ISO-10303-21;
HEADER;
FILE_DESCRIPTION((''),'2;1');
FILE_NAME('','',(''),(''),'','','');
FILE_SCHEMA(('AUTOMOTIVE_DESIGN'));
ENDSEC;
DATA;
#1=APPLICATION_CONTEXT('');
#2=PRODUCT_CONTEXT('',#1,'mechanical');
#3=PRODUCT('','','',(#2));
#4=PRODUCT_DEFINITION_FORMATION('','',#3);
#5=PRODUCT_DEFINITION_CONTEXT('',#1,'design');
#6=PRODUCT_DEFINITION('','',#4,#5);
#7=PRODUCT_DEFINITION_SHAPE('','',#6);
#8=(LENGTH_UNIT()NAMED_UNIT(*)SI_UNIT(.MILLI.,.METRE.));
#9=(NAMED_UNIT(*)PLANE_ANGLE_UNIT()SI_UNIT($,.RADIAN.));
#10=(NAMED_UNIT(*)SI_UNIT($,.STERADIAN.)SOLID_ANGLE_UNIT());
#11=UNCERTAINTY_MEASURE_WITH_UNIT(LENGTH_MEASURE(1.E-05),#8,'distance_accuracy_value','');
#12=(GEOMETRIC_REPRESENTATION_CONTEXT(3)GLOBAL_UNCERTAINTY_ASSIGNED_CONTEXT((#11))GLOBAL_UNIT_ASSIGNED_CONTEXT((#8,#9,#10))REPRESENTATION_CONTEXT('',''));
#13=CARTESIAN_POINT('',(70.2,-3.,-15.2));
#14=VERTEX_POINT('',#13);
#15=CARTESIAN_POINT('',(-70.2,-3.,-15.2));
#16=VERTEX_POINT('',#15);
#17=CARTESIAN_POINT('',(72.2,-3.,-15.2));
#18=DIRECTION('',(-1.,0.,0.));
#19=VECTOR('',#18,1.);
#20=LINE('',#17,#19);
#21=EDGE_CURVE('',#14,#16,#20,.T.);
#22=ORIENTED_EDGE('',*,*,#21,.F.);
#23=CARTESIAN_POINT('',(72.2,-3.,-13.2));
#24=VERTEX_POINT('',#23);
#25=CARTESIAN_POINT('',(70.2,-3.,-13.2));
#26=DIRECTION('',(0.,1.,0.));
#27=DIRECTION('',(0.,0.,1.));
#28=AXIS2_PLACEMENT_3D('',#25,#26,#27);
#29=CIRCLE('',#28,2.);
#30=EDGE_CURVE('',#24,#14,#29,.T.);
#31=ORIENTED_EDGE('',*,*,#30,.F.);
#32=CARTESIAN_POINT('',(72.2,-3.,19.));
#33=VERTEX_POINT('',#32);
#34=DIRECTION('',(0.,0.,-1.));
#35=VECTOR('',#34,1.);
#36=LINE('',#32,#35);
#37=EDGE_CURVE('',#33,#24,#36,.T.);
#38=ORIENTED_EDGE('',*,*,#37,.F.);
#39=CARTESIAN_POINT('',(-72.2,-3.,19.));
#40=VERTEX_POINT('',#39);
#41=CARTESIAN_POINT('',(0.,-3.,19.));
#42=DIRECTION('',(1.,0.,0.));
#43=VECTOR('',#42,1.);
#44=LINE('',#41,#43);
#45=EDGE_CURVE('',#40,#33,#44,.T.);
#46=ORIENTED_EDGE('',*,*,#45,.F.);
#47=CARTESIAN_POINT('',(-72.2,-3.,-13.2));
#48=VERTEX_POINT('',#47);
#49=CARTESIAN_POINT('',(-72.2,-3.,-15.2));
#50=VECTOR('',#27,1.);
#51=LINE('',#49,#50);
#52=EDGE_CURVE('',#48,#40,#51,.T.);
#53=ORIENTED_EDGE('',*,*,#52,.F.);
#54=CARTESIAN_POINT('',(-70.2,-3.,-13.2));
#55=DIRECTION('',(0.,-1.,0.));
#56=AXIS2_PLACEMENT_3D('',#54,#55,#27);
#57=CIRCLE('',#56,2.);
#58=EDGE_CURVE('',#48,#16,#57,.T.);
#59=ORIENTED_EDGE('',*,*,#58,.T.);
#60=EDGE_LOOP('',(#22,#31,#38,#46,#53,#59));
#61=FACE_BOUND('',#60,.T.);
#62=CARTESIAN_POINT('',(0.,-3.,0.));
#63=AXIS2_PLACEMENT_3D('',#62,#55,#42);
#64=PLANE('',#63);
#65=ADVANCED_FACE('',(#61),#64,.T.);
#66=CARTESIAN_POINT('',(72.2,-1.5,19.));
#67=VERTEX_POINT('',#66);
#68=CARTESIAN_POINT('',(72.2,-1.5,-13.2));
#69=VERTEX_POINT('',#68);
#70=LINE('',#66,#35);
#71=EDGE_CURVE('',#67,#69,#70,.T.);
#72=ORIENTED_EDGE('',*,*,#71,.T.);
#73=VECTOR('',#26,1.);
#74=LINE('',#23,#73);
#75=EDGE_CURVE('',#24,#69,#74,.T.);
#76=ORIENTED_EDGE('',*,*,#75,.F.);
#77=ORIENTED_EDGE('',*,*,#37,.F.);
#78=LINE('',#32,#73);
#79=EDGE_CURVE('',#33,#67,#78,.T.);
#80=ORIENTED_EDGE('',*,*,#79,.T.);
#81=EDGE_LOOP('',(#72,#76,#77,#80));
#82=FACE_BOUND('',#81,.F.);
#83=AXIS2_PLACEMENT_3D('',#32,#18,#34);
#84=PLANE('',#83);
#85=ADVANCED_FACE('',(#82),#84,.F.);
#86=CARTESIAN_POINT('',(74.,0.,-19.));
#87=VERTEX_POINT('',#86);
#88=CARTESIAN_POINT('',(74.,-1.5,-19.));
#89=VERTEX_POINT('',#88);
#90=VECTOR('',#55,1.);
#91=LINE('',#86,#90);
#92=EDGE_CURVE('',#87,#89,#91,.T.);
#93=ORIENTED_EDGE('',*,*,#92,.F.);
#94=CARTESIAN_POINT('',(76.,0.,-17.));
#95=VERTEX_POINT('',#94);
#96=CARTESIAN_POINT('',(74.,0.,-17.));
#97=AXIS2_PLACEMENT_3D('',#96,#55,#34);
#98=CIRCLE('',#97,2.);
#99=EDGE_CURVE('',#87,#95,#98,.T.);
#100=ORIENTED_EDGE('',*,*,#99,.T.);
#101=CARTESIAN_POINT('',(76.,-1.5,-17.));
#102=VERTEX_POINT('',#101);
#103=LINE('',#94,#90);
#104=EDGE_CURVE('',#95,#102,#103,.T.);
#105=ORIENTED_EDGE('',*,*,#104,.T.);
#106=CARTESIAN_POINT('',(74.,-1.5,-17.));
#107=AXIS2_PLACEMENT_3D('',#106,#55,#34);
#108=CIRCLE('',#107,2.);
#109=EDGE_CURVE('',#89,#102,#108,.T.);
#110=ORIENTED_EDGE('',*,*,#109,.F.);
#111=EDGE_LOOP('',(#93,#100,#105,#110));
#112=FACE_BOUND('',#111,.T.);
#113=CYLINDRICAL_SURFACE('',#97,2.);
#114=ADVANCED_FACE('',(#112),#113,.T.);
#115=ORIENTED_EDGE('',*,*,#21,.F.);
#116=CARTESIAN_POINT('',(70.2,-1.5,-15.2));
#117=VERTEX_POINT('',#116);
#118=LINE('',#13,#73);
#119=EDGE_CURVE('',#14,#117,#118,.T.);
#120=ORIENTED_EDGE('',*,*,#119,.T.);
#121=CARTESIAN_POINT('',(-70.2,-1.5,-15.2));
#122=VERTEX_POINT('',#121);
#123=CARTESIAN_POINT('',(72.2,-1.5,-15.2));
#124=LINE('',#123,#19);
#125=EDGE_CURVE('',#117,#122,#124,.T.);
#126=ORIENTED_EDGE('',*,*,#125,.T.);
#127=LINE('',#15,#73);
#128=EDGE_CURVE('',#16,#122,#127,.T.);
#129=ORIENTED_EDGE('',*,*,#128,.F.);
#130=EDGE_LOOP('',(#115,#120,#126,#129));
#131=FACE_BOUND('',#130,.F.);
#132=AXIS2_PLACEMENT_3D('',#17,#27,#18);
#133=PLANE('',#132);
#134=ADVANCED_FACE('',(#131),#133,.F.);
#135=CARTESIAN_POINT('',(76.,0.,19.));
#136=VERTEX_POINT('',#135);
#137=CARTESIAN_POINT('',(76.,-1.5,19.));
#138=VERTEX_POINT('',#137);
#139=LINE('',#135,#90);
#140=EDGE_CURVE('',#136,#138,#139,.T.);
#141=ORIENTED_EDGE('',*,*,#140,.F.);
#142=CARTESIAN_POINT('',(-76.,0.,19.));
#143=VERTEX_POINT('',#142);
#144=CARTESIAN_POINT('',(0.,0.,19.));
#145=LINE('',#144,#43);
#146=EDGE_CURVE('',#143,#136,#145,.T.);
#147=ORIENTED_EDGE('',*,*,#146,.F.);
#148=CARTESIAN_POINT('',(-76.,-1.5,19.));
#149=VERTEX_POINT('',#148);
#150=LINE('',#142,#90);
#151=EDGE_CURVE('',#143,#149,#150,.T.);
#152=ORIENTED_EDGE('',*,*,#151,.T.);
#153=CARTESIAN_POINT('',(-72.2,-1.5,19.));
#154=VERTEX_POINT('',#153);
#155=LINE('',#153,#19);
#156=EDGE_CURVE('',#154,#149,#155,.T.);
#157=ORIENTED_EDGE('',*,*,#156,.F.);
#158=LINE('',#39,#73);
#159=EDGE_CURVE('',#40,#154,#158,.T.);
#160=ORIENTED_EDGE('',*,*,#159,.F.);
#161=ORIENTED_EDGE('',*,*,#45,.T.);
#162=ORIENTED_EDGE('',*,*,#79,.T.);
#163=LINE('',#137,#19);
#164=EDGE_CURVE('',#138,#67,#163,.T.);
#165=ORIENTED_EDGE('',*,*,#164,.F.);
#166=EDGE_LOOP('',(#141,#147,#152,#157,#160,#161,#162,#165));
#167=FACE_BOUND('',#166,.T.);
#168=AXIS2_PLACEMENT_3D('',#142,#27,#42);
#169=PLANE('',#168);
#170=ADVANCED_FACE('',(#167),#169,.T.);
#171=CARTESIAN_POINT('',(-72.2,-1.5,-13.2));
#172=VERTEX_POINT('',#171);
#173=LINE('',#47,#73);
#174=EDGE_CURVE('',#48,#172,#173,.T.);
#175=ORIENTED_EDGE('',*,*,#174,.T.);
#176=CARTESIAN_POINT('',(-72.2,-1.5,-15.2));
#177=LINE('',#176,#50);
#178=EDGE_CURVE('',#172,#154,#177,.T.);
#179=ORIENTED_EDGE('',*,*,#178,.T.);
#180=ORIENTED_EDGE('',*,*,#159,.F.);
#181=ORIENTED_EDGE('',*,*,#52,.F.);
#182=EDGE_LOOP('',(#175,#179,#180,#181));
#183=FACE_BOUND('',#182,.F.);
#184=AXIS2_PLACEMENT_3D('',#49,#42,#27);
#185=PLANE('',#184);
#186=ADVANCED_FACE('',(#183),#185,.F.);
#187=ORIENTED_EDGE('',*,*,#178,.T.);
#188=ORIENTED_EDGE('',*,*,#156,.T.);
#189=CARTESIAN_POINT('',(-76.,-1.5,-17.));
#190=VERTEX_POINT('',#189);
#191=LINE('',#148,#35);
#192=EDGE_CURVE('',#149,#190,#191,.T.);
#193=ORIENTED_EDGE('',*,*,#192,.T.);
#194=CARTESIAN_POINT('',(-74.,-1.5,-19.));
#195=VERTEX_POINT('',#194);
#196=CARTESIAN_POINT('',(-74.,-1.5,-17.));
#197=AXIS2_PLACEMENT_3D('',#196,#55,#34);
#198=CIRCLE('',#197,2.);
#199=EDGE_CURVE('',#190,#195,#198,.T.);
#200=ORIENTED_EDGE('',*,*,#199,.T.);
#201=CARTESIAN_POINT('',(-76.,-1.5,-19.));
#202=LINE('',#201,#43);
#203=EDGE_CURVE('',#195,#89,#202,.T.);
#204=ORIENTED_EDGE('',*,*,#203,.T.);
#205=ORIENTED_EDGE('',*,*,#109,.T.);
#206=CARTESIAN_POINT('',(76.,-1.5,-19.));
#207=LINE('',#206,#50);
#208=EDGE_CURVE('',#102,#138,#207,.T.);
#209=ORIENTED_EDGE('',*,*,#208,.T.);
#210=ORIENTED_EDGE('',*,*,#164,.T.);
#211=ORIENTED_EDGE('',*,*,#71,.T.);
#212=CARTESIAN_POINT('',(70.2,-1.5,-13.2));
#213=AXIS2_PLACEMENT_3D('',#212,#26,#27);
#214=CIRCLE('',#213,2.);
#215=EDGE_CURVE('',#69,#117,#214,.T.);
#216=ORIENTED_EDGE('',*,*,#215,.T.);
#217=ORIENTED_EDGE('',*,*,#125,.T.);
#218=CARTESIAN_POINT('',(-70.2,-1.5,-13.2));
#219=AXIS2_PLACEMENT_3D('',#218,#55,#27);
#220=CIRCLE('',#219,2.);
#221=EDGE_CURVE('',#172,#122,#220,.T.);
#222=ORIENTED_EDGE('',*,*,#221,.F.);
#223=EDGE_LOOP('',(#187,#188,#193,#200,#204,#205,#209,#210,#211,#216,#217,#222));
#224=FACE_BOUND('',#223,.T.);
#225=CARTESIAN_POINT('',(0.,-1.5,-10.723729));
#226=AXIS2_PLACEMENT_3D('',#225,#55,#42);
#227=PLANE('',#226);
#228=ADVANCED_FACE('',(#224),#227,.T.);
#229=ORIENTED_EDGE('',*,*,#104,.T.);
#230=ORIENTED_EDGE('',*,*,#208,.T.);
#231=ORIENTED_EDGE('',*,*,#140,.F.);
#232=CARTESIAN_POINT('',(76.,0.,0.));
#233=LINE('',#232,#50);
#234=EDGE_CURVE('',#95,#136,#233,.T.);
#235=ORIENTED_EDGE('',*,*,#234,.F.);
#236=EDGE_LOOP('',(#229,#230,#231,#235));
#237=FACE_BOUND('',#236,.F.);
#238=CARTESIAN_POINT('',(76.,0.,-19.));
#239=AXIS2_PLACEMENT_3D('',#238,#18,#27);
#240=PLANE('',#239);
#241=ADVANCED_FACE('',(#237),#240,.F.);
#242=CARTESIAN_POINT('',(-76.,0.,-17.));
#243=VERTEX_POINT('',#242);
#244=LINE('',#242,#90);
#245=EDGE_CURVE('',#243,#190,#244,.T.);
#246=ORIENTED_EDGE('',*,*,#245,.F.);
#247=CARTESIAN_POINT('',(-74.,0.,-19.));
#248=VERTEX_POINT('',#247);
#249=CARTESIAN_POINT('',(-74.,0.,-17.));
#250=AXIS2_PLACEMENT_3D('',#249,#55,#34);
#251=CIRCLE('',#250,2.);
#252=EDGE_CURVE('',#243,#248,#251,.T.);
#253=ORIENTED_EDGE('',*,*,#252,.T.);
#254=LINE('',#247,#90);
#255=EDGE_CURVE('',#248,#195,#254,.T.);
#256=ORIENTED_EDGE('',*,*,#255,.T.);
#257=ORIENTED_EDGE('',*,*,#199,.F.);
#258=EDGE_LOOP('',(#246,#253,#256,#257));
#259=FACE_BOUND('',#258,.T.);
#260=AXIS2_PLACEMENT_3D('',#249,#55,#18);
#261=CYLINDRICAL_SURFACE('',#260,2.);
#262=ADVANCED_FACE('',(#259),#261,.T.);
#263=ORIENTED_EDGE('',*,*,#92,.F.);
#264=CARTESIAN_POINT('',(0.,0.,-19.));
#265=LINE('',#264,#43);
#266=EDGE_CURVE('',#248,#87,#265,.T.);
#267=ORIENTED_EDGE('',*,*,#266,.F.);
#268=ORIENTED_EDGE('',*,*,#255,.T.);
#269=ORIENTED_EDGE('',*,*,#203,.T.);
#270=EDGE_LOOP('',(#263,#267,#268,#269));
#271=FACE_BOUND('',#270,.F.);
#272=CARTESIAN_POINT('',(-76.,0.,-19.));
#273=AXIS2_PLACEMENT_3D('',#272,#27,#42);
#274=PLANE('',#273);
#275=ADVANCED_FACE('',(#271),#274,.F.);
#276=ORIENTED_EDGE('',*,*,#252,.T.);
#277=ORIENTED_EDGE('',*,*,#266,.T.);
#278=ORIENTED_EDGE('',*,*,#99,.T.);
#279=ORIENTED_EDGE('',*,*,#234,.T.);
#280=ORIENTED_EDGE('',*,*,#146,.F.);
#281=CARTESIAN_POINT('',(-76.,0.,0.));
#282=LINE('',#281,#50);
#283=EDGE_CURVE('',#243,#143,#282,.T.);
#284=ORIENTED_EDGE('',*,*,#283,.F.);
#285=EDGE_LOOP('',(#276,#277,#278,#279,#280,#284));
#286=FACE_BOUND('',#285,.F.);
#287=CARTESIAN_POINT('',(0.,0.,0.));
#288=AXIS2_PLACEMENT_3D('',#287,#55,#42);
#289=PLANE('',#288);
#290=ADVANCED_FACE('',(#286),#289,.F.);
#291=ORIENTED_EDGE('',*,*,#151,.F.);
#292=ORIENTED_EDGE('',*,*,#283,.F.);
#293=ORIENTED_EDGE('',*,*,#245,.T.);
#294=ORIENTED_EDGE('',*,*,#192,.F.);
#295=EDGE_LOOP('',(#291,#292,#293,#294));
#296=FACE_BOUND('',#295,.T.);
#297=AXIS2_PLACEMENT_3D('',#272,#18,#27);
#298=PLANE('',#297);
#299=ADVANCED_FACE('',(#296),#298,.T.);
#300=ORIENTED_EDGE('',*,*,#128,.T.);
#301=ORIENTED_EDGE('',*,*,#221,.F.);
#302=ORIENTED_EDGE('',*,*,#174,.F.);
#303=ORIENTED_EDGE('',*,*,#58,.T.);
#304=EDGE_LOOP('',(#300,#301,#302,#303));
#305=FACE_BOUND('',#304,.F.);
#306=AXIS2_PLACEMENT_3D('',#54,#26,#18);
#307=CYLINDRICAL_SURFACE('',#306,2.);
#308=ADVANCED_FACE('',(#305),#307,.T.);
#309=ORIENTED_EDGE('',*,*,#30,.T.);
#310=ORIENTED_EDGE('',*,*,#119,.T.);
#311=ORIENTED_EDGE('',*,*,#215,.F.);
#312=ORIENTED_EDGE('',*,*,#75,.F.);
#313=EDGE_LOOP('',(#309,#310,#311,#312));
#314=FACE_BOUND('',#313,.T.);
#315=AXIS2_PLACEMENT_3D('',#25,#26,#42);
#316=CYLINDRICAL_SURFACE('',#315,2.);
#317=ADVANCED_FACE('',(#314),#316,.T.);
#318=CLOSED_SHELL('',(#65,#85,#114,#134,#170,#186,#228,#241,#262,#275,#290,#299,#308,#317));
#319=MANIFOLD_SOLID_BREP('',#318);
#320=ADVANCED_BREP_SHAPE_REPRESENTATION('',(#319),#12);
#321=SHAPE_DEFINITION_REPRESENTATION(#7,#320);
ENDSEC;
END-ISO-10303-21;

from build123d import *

# Parameters (mm, degrees)
F0_W     = 152
F0_H     = 38
F1_DEPTH = 3
F3_DEPTH = 1.5
F4_R     = 2


with BuildPart() as f1:
    # F0 (on Front) → F1 (new body)
    with BuildSketch(Plane.XZ):
        Rectangle(F0_W, F0_H)
    extrude(amount=F1_DEPTH)

    # F2 (on face) → F3 (cut)
    with BuildSketch(Plane.XZ.offset(3)):
        Polygon((-72.2, 19), (-76, 19), (-76, -19), (76, -19), (76, 19), (72.2, 19), (72.2, -15.2), (-72.2, -15.2), align=None)
    extrude(amount=-F3_DEPTH, mode=Mode.SUBTRACT)

    # F4
    f4_edges = [f1.edges().sort_by_distance(p)[0] for p in [
        (76, -0.75, -19),
        (72.2, -2.25, -15.2),
        (-76, -0.75, -19),
        (-72.2, -2.25, -15.2),
    ]]
    fillet(f4_edges, radius=F4_R)


solid = f1.part
